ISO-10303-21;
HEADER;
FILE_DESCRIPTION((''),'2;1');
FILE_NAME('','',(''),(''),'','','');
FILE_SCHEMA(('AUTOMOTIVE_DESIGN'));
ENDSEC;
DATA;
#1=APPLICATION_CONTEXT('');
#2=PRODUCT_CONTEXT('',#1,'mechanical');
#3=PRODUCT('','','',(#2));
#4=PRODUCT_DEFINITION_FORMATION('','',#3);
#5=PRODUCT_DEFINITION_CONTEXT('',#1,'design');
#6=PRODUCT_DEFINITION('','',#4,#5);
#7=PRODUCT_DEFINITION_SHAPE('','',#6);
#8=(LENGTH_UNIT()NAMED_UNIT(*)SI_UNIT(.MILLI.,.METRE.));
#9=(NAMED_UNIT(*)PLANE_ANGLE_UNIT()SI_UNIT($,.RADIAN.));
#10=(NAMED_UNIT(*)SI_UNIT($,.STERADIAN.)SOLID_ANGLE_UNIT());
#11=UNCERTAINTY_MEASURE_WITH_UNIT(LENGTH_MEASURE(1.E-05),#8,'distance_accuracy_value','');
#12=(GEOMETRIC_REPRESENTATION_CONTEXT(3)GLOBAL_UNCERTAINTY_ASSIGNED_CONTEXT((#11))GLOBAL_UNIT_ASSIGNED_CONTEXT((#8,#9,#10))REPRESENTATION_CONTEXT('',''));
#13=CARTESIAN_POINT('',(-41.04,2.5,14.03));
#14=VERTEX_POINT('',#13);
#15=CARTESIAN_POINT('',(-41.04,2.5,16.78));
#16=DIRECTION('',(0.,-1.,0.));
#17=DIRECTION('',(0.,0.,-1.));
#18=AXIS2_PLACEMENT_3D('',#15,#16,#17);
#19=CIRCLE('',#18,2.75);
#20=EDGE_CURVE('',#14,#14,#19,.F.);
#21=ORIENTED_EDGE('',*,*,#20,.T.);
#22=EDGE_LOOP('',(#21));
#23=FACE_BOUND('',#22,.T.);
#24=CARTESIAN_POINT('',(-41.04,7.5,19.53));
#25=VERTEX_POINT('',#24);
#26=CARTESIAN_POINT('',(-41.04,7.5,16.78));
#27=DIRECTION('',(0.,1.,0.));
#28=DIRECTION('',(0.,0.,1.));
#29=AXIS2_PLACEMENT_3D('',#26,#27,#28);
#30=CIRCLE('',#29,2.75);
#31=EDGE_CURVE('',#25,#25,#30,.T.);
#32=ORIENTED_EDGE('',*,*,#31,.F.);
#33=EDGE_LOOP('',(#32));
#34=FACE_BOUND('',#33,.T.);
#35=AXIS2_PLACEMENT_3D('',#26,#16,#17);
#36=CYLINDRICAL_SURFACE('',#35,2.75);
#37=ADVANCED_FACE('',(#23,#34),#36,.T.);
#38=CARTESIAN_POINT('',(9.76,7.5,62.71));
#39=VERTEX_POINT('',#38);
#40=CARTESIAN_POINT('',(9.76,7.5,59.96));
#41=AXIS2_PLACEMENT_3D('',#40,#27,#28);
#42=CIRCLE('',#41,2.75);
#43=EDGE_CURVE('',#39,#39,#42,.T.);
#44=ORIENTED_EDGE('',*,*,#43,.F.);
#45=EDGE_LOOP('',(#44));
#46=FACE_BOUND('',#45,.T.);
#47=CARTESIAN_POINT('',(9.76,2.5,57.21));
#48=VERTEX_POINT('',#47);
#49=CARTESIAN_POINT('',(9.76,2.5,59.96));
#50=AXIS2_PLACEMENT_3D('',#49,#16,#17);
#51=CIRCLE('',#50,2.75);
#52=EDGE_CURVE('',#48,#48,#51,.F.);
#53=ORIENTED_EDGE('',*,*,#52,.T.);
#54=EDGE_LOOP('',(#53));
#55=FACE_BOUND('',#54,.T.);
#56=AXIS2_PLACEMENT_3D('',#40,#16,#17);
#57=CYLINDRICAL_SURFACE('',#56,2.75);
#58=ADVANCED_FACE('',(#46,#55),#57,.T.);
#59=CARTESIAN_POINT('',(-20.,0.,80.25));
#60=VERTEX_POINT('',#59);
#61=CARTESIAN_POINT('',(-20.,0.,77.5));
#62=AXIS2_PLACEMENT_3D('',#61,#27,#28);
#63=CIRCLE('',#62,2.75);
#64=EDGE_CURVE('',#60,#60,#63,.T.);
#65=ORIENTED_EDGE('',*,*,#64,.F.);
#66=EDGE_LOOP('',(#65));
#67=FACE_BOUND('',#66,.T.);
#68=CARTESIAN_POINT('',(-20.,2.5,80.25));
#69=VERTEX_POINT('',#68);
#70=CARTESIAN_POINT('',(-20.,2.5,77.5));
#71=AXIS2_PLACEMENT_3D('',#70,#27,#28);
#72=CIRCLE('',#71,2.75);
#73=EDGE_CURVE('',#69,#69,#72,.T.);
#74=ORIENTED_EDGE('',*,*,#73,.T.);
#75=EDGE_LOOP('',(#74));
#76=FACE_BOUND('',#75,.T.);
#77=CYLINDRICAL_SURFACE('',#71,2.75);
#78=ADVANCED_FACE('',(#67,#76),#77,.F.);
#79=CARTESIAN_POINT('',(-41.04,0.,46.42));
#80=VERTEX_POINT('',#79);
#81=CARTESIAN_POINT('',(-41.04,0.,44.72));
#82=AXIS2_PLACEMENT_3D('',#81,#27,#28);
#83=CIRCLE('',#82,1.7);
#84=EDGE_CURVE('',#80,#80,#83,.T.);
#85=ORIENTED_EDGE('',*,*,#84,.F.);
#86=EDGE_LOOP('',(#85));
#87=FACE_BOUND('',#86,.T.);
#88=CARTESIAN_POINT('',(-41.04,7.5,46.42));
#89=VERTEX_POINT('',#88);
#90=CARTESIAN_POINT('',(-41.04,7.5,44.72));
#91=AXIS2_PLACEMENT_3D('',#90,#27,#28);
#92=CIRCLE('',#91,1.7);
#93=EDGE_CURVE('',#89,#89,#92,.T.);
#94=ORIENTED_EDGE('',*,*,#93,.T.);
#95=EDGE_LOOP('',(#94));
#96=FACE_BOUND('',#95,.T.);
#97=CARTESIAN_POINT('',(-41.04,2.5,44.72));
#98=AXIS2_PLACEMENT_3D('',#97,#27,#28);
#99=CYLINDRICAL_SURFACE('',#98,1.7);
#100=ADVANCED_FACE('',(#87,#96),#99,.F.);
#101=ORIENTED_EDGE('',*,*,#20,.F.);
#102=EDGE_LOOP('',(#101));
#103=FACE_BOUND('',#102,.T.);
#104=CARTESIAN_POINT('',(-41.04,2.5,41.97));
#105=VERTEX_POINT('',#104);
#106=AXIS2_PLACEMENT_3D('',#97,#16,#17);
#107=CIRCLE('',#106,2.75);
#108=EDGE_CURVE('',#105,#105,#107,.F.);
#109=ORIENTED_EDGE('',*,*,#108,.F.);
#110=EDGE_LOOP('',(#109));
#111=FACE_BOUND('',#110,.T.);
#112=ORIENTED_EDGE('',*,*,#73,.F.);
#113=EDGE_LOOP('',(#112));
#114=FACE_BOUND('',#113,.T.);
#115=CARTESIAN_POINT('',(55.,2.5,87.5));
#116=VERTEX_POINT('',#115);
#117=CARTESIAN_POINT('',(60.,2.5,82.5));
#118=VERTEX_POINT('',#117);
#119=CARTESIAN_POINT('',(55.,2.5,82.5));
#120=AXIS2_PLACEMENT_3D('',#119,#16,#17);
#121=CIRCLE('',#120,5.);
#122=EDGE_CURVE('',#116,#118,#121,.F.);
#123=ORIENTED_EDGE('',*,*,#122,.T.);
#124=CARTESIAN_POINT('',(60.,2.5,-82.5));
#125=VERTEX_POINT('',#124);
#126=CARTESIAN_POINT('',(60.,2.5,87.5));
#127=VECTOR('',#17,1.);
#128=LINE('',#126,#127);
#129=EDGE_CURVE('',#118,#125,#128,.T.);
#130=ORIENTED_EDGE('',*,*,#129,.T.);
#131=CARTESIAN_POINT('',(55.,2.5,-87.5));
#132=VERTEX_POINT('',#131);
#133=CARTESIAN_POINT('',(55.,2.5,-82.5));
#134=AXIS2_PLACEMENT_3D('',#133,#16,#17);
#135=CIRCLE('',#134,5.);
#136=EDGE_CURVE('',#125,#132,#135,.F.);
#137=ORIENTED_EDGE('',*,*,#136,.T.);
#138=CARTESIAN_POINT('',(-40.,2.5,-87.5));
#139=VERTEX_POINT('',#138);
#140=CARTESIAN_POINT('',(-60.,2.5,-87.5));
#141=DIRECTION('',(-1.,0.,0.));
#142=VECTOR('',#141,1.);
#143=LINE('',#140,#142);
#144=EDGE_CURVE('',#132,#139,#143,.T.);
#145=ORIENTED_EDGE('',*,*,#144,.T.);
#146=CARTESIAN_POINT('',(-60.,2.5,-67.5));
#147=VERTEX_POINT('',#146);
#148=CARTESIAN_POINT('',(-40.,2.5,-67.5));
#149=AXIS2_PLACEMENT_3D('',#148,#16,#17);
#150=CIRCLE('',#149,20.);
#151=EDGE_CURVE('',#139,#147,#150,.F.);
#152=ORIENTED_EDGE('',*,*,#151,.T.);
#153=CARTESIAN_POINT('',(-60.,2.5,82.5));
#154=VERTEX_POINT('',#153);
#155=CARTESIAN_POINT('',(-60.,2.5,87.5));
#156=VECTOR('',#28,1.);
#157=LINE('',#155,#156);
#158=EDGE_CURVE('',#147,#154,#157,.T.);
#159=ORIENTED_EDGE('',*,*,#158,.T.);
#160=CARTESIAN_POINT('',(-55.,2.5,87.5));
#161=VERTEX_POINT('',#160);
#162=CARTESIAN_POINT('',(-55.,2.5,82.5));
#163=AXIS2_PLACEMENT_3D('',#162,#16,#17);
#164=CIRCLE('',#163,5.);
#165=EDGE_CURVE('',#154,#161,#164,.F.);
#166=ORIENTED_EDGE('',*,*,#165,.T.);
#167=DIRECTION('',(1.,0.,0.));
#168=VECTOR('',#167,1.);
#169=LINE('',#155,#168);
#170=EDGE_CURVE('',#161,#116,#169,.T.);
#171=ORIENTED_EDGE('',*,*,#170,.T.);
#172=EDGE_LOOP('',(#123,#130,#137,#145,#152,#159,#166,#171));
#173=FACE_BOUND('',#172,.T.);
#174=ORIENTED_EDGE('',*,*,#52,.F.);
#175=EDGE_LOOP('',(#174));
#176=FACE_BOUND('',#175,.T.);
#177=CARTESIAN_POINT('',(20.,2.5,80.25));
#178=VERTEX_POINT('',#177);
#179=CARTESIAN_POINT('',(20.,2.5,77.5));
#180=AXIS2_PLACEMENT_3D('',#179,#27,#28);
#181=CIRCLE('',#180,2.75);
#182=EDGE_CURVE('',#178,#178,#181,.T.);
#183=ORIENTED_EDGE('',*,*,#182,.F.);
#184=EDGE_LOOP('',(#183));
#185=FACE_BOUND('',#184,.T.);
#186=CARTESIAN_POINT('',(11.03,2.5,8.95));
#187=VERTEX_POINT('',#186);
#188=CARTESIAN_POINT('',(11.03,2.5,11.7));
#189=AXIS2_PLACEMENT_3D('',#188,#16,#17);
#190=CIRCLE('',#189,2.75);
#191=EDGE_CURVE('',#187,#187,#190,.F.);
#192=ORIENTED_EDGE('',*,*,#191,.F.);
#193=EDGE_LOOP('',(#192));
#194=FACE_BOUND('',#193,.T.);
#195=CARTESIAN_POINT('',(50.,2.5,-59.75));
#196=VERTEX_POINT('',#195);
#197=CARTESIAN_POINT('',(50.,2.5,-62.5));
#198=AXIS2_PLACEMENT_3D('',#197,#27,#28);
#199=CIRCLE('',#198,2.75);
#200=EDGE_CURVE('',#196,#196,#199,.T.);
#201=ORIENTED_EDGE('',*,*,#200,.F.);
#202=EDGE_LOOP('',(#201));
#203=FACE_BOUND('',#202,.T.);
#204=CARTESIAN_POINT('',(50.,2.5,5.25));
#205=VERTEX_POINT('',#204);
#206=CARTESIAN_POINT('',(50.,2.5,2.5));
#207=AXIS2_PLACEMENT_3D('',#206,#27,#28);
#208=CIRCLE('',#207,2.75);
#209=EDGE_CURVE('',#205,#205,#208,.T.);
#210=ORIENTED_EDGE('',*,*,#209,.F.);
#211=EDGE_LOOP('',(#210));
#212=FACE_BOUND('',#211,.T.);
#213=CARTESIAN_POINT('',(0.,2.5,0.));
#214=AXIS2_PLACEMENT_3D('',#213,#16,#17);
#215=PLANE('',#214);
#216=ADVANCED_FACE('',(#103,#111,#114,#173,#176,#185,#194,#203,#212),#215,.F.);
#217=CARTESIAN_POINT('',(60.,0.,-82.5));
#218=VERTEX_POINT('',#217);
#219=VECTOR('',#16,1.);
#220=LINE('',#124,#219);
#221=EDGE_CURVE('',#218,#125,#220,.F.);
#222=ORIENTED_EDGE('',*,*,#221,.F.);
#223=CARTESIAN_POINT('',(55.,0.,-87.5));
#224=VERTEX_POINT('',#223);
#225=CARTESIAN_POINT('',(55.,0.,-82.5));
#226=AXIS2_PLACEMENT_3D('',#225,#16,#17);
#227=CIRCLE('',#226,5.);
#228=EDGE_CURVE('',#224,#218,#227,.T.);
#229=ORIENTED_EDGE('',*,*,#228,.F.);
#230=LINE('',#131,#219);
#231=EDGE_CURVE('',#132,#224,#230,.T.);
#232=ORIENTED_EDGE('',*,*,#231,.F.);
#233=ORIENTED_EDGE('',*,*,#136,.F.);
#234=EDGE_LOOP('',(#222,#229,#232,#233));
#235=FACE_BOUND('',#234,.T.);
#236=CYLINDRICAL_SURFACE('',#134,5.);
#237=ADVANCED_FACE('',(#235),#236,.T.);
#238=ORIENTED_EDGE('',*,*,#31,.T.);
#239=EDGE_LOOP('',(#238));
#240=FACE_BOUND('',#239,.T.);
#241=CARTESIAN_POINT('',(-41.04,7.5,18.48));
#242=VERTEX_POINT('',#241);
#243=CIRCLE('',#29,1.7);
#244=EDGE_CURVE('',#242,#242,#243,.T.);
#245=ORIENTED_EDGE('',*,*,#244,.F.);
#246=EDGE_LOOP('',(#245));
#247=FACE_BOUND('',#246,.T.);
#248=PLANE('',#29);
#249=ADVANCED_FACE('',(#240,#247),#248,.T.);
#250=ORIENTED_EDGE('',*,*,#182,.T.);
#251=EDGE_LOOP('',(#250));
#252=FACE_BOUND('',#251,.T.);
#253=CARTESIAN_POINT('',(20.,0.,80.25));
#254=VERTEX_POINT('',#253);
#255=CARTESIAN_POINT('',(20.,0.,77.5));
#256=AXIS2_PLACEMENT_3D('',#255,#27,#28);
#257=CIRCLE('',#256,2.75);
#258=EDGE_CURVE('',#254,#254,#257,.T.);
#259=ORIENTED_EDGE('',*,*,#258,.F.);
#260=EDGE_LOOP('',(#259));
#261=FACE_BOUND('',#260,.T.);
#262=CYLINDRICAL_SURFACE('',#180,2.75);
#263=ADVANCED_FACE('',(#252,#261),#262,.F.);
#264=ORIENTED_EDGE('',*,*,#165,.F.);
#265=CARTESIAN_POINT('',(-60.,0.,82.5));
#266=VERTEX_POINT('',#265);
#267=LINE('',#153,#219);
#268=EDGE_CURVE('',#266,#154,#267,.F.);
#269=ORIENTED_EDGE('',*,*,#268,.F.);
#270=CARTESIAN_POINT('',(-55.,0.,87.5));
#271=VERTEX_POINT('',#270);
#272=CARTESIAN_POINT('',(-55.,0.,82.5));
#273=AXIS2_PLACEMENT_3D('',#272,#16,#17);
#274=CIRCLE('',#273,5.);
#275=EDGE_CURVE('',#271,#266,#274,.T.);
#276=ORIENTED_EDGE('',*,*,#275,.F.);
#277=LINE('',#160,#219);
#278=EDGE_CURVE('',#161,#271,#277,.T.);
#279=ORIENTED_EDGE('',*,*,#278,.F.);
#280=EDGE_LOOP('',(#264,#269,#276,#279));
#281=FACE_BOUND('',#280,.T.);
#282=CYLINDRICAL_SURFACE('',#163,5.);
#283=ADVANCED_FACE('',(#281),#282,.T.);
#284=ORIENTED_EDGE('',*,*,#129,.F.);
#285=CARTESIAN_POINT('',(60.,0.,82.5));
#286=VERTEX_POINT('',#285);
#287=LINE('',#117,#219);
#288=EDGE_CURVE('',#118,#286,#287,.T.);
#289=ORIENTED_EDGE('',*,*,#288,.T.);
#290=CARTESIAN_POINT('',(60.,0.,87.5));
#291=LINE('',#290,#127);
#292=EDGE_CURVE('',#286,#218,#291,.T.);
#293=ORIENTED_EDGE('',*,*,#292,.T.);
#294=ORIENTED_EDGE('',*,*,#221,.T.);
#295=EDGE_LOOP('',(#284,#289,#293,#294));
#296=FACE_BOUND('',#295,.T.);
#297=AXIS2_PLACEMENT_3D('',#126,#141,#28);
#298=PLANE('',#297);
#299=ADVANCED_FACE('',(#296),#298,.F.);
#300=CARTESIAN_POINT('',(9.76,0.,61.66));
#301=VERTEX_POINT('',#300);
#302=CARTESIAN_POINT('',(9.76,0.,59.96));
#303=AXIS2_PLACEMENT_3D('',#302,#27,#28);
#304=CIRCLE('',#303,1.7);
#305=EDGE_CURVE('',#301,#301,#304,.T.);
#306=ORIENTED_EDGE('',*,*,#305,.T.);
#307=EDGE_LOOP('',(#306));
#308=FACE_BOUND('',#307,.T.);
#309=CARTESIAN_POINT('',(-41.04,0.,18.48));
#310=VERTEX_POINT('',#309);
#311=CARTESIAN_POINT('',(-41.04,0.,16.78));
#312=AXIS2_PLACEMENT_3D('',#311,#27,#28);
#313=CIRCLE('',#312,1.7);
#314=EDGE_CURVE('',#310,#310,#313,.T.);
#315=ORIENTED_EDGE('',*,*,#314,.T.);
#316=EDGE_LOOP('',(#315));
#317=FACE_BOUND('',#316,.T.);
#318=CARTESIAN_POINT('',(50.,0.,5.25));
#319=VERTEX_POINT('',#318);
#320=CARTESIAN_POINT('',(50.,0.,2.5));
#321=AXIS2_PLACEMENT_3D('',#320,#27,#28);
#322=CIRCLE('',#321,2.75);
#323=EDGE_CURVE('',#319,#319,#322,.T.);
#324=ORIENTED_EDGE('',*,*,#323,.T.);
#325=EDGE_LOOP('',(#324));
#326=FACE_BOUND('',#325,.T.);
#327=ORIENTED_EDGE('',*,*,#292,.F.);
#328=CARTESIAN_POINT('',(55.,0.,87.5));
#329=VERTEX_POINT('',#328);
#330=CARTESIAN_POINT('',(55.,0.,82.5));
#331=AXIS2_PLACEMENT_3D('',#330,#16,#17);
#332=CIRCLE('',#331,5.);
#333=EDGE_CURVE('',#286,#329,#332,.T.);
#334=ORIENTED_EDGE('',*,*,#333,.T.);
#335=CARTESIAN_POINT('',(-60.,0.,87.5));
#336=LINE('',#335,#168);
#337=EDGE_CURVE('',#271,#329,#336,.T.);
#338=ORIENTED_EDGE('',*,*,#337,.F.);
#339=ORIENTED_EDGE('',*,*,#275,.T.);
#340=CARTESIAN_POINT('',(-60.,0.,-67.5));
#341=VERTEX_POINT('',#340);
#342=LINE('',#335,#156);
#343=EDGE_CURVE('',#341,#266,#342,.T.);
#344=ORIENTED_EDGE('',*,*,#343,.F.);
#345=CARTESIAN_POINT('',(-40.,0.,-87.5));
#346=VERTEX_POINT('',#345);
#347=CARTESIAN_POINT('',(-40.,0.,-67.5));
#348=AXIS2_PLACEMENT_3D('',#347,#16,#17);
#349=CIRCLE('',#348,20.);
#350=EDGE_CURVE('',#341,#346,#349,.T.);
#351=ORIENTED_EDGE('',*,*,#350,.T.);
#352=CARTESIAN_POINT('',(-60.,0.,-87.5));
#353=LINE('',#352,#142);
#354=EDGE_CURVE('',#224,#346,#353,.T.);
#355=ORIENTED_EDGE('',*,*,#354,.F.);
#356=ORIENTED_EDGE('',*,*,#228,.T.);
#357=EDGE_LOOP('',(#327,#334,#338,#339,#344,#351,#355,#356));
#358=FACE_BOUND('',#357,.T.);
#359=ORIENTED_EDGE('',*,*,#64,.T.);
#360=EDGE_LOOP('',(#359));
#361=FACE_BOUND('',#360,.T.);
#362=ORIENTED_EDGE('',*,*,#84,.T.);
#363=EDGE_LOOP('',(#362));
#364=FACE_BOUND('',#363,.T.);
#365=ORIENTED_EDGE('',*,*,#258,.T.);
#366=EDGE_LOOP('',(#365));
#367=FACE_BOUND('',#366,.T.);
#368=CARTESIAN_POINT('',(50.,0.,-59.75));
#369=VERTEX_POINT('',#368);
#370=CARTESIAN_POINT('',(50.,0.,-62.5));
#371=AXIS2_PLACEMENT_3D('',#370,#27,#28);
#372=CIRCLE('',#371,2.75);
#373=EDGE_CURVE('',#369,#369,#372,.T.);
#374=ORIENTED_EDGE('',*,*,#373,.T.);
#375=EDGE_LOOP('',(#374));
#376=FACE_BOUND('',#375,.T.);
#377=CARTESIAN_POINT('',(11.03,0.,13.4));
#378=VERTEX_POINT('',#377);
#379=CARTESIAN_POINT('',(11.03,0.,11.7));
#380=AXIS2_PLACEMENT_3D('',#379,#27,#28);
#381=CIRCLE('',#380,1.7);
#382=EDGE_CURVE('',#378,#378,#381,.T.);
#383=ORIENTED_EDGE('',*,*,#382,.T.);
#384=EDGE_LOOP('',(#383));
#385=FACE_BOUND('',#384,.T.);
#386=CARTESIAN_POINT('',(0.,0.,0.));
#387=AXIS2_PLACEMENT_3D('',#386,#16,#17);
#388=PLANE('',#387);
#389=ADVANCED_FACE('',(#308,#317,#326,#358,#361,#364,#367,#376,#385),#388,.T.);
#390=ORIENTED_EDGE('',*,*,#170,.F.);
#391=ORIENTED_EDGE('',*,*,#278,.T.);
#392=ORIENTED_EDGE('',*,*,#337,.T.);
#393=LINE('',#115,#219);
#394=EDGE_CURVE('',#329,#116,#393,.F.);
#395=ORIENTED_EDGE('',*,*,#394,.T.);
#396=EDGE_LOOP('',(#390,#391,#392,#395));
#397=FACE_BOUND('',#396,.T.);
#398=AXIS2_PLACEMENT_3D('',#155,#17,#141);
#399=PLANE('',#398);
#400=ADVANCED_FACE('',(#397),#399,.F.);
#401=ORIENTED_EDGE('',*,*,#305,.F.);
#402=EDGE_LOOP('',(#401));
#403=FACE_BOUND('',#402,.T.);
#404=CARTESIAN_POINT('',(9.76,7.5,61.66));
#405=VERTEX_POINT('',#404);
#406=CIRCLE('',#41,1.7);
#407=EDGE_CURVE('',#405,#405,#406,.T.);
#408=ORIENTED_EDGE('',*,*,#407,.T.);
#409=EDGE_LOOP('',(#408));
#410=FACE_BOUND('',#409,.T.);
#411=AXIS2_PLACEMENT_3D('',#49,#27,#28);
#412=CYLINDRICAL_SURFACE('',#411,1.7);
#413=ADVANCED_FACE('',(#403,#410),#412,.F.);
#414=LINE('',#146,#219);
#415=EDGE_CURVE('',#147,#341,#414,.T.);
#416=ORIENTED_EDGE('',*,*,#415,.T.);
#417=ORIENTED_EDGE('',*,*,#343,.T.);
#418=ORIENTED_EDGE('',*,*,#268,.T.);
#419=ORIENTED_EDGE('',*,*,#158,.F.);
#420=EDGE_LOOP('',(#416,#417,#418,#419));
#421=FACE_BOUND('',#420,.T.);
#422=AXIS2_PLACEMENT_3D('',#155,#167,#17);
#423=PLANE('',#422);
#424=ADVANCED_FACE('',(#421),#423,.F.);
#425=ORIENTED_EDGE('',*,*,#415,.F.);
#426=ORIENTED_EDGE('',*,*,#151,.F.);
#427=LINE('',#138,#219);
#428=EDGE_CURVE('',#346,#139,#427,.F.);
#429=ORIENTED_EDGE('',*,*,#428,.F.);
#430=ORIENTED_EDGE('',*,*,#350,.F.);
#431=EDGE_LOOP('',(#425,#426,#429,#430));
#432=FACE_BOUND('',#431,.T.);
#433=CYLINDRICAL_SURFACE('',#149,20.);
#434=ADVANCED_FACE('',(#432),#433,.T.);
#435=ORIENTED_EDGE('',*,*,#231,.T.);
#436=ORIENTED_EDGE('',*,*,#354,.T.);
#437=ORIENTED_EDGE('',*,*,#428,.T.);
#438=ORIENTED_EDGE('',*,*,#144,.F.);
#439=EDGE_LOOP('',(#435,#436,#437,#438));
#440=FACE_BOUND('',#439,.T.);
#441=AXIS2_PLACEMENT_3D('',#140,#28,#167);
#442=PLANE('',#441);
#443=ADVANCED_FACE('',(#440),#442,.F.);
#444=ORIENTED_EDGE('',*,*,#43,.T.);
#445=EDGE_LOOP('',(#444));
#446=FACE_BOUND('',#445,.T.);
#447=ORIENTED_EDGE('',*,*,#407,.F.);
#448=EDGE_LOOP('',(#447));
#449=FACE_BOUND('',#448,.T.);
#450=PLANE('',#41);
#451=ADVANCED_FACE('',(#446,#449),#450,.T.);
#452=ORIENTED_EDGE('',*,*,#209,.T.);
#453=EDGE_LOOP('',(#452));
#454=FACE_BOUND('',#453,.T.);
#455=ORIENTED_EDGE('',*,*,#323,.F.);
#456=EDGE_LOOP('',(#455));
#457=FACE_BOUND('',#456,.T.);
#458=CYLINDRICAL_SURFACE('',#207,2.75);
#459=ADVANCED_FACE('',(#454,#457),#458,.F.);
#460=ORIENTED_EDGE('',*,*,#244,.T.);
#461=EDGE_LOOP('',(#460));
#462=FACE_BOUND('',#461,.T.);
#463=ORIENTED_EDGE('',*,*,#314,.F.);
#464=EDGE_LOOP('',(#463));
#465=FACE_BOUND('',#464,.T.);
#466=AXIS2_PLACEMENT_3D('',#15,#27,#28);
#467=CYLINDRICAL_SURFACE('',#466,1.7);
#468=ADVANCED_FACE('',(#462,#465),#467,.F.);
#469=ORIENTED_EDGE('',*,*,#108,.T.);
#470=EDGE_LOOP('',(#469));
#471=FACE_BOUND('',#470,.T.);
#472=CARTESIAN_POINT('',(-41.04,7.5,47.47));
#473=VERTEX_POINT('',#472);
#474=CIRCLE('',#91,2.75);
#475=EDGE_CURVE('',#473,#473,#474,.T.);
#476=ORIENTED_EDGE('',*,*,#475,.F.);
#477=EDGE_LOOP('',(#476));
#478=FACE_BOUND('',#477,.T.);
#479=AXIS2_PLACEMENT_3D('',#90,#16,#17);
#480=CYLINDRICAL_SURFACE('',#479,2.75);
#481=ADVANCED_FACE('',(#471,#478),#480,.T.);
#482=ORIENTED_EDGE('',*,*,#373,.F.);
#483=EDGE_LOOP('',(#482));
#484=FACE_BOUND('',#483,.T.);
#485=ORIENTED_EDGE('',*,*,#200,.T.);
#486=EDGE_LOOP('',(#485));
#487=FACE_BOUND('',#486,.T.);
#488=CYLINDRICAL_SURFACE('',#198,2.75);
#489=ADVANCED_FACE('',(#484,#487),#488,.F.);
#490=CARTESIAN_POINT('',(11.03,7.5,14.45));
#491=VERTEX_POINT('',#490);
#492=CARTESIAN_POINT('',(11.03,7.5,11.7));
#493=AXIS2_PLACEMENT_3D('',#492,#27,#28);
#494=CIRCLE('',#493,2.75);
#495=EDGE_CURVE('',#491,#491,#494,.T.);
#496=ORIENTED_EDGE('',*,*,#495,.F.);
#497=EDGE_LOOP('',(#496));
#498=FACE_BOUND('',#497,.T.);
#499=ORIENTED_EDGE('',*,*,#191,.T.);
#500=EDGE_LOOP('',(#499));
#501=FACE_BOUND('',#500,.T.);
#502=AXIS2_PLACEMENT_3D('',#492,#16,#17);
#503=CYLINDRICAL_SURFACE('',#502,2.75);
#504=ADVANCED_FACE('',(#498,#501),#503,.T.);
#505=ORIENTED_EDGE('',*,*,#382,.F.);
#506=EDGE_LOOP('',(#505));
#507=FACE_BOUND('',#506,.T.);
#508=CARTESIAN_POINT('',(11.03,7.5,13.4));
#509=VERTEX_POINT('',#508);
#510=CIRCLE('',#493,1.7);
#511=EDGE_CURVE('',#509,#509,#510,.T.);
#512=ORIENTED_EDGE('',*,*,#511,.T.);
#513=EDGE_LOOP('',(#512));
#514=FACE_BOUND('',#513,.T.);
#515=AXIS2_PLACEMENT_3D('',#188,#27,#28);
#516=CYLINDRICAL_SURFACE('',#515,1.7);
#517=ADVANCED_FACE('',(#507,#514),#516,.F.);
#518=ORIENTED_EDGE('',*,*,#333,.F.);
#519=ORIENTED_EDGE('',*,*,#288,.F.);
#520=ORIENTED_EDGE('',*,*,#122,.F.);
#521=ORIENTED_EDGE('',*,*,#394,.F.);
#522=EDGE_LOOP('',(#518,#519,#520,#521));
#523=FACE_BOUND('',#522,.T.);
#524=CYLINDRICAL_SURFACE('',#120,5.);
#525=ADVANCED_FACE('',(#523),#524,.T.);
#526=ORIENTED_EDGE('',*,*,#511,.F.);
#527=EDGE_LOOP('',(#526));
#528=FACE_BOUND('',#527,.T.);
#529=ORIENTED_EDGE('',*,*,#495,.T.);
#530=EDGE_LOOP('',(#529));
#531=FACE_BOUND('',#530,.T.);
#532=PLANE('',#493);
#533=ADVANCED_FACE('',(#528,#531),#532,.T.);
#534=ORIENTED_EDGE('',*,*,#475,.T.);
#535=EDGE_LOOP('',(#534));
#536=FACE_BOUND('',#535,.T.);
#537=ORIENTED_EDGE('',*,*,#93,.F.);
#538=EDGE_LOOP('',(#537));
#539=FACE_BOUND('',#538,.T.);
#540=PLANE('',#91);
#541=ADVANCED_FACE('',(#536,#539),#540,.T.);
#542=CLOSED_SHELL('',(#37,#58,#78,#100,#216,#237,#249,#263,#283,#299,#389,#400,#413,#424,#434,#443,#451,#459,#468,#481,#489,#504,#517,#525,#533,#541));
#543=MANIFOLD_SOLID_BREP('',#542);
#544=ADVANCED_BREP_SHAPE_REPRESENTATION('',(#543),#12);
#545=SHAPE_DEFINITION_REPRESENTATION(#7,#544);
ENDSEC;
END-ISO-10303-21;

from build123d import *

# Parameters (mm, degrees)
SKETCH1_W            = 120
SKETCH1_H            = 175
BOSS_EXTRUDE1_DEPTH  = 2.5
M5_CLEARANCE_HOLE1_D = 5.5
M3_CLEARANCE_HOLE2_D = 3.4
FILLET1_R            = 20
FILLET2_R            = 5
SKETCH11_R           = 2.750000000000002
SKETCH11_R_2         = 1.699999999999985
BOSS_EXTRUDE3_DEPTH  = 5


with BuildPart() as part:
    # Sketch1 → Boss-Extrude1 (new body)
    with BuildSketch(Plane(origin=(0, 0, 0), x_dir=(1, 0, 0), z_dir=(0, 1, 0))):
        Rectangle(SKETCH1_W, SKETCH1_H)
    extrude(amount=BOSS_EXTRUDE1_DEPTH)

    # M5 Clearance Hole1 (through all)
    with Locations(Plane(origin=(0, 2.5, 0), x_dir=(1, 0, 0), z_dir=(0, 1, 0))):
        with Locations((50, 62.5), (50, -2.5), (-20, -77.5), (20, -77.5)):
            Hole(M5_CLEARANCE_HOLE1_D / 2)

    # M3 Clearance Hole2 (through all)
    with Locations(Plane(origin=(0, 2.5, 0), x_dir=(1, 0, 0), z_dir=(0, 1, 0))):
        with Locations((9.76, -59.96), (11.03, -11.7), (-41.04, -44.72), (-41.04, -16.78)):
            Hole(M3_CLEARANCE_HOLE2_D / 2)

    # Fillet1
    fillet1_edges = [part.edges().sort_by_distance(p)[0] for p in [
        (-59.99999999999998, 1.25, -87.50000000000001),
    ]]
    fillet(fillet1_edges, radius=FILLET1_R)

    # Fillet2
    fillet2_edges = [part.edges().sort_by_distance(p)[0] for p in [
        (60.00000000000002, 1.25, 87.49999999999999),
        (-59.99999999999998, 1.25, 87.49999999999999),
        (60.00000000000002, 1.25, -87.50000000000001),
    ]]
    fillet(fillet2_edges, radius=FILLET2_R)

    # Sketch11 → Boss-Extrude3 (add)
    with BuildSketch(Plane(origin=(0, 2.5, 0), x_dir=(1, 0, 0), z_dir=(0, 1, 0))):
        with Locations(Location((-41.039999999999964, -16.779999999999983, 0), (0, 0, 90))):
            Circle(SKETCH11_R)
        with Locations(Location((-41.039999999999964, -16.779999999999983, 0), (0, 0, 270))):
            Circle(SKETCH11_R_2, mode=Mode.SUBTRACT)
    boss_extrude3 = extrude(amount=BOSS_EXTRUDE3_DEPTH)

    # Sketch-Pattern2: Boss-Extrude3 at 3 more places
    with Locations((50.8, 0, 43.18), (52.07, 0, -5.08), (0, 0, 27.94)):
        add(boss_extrude3)


solid = part.part
